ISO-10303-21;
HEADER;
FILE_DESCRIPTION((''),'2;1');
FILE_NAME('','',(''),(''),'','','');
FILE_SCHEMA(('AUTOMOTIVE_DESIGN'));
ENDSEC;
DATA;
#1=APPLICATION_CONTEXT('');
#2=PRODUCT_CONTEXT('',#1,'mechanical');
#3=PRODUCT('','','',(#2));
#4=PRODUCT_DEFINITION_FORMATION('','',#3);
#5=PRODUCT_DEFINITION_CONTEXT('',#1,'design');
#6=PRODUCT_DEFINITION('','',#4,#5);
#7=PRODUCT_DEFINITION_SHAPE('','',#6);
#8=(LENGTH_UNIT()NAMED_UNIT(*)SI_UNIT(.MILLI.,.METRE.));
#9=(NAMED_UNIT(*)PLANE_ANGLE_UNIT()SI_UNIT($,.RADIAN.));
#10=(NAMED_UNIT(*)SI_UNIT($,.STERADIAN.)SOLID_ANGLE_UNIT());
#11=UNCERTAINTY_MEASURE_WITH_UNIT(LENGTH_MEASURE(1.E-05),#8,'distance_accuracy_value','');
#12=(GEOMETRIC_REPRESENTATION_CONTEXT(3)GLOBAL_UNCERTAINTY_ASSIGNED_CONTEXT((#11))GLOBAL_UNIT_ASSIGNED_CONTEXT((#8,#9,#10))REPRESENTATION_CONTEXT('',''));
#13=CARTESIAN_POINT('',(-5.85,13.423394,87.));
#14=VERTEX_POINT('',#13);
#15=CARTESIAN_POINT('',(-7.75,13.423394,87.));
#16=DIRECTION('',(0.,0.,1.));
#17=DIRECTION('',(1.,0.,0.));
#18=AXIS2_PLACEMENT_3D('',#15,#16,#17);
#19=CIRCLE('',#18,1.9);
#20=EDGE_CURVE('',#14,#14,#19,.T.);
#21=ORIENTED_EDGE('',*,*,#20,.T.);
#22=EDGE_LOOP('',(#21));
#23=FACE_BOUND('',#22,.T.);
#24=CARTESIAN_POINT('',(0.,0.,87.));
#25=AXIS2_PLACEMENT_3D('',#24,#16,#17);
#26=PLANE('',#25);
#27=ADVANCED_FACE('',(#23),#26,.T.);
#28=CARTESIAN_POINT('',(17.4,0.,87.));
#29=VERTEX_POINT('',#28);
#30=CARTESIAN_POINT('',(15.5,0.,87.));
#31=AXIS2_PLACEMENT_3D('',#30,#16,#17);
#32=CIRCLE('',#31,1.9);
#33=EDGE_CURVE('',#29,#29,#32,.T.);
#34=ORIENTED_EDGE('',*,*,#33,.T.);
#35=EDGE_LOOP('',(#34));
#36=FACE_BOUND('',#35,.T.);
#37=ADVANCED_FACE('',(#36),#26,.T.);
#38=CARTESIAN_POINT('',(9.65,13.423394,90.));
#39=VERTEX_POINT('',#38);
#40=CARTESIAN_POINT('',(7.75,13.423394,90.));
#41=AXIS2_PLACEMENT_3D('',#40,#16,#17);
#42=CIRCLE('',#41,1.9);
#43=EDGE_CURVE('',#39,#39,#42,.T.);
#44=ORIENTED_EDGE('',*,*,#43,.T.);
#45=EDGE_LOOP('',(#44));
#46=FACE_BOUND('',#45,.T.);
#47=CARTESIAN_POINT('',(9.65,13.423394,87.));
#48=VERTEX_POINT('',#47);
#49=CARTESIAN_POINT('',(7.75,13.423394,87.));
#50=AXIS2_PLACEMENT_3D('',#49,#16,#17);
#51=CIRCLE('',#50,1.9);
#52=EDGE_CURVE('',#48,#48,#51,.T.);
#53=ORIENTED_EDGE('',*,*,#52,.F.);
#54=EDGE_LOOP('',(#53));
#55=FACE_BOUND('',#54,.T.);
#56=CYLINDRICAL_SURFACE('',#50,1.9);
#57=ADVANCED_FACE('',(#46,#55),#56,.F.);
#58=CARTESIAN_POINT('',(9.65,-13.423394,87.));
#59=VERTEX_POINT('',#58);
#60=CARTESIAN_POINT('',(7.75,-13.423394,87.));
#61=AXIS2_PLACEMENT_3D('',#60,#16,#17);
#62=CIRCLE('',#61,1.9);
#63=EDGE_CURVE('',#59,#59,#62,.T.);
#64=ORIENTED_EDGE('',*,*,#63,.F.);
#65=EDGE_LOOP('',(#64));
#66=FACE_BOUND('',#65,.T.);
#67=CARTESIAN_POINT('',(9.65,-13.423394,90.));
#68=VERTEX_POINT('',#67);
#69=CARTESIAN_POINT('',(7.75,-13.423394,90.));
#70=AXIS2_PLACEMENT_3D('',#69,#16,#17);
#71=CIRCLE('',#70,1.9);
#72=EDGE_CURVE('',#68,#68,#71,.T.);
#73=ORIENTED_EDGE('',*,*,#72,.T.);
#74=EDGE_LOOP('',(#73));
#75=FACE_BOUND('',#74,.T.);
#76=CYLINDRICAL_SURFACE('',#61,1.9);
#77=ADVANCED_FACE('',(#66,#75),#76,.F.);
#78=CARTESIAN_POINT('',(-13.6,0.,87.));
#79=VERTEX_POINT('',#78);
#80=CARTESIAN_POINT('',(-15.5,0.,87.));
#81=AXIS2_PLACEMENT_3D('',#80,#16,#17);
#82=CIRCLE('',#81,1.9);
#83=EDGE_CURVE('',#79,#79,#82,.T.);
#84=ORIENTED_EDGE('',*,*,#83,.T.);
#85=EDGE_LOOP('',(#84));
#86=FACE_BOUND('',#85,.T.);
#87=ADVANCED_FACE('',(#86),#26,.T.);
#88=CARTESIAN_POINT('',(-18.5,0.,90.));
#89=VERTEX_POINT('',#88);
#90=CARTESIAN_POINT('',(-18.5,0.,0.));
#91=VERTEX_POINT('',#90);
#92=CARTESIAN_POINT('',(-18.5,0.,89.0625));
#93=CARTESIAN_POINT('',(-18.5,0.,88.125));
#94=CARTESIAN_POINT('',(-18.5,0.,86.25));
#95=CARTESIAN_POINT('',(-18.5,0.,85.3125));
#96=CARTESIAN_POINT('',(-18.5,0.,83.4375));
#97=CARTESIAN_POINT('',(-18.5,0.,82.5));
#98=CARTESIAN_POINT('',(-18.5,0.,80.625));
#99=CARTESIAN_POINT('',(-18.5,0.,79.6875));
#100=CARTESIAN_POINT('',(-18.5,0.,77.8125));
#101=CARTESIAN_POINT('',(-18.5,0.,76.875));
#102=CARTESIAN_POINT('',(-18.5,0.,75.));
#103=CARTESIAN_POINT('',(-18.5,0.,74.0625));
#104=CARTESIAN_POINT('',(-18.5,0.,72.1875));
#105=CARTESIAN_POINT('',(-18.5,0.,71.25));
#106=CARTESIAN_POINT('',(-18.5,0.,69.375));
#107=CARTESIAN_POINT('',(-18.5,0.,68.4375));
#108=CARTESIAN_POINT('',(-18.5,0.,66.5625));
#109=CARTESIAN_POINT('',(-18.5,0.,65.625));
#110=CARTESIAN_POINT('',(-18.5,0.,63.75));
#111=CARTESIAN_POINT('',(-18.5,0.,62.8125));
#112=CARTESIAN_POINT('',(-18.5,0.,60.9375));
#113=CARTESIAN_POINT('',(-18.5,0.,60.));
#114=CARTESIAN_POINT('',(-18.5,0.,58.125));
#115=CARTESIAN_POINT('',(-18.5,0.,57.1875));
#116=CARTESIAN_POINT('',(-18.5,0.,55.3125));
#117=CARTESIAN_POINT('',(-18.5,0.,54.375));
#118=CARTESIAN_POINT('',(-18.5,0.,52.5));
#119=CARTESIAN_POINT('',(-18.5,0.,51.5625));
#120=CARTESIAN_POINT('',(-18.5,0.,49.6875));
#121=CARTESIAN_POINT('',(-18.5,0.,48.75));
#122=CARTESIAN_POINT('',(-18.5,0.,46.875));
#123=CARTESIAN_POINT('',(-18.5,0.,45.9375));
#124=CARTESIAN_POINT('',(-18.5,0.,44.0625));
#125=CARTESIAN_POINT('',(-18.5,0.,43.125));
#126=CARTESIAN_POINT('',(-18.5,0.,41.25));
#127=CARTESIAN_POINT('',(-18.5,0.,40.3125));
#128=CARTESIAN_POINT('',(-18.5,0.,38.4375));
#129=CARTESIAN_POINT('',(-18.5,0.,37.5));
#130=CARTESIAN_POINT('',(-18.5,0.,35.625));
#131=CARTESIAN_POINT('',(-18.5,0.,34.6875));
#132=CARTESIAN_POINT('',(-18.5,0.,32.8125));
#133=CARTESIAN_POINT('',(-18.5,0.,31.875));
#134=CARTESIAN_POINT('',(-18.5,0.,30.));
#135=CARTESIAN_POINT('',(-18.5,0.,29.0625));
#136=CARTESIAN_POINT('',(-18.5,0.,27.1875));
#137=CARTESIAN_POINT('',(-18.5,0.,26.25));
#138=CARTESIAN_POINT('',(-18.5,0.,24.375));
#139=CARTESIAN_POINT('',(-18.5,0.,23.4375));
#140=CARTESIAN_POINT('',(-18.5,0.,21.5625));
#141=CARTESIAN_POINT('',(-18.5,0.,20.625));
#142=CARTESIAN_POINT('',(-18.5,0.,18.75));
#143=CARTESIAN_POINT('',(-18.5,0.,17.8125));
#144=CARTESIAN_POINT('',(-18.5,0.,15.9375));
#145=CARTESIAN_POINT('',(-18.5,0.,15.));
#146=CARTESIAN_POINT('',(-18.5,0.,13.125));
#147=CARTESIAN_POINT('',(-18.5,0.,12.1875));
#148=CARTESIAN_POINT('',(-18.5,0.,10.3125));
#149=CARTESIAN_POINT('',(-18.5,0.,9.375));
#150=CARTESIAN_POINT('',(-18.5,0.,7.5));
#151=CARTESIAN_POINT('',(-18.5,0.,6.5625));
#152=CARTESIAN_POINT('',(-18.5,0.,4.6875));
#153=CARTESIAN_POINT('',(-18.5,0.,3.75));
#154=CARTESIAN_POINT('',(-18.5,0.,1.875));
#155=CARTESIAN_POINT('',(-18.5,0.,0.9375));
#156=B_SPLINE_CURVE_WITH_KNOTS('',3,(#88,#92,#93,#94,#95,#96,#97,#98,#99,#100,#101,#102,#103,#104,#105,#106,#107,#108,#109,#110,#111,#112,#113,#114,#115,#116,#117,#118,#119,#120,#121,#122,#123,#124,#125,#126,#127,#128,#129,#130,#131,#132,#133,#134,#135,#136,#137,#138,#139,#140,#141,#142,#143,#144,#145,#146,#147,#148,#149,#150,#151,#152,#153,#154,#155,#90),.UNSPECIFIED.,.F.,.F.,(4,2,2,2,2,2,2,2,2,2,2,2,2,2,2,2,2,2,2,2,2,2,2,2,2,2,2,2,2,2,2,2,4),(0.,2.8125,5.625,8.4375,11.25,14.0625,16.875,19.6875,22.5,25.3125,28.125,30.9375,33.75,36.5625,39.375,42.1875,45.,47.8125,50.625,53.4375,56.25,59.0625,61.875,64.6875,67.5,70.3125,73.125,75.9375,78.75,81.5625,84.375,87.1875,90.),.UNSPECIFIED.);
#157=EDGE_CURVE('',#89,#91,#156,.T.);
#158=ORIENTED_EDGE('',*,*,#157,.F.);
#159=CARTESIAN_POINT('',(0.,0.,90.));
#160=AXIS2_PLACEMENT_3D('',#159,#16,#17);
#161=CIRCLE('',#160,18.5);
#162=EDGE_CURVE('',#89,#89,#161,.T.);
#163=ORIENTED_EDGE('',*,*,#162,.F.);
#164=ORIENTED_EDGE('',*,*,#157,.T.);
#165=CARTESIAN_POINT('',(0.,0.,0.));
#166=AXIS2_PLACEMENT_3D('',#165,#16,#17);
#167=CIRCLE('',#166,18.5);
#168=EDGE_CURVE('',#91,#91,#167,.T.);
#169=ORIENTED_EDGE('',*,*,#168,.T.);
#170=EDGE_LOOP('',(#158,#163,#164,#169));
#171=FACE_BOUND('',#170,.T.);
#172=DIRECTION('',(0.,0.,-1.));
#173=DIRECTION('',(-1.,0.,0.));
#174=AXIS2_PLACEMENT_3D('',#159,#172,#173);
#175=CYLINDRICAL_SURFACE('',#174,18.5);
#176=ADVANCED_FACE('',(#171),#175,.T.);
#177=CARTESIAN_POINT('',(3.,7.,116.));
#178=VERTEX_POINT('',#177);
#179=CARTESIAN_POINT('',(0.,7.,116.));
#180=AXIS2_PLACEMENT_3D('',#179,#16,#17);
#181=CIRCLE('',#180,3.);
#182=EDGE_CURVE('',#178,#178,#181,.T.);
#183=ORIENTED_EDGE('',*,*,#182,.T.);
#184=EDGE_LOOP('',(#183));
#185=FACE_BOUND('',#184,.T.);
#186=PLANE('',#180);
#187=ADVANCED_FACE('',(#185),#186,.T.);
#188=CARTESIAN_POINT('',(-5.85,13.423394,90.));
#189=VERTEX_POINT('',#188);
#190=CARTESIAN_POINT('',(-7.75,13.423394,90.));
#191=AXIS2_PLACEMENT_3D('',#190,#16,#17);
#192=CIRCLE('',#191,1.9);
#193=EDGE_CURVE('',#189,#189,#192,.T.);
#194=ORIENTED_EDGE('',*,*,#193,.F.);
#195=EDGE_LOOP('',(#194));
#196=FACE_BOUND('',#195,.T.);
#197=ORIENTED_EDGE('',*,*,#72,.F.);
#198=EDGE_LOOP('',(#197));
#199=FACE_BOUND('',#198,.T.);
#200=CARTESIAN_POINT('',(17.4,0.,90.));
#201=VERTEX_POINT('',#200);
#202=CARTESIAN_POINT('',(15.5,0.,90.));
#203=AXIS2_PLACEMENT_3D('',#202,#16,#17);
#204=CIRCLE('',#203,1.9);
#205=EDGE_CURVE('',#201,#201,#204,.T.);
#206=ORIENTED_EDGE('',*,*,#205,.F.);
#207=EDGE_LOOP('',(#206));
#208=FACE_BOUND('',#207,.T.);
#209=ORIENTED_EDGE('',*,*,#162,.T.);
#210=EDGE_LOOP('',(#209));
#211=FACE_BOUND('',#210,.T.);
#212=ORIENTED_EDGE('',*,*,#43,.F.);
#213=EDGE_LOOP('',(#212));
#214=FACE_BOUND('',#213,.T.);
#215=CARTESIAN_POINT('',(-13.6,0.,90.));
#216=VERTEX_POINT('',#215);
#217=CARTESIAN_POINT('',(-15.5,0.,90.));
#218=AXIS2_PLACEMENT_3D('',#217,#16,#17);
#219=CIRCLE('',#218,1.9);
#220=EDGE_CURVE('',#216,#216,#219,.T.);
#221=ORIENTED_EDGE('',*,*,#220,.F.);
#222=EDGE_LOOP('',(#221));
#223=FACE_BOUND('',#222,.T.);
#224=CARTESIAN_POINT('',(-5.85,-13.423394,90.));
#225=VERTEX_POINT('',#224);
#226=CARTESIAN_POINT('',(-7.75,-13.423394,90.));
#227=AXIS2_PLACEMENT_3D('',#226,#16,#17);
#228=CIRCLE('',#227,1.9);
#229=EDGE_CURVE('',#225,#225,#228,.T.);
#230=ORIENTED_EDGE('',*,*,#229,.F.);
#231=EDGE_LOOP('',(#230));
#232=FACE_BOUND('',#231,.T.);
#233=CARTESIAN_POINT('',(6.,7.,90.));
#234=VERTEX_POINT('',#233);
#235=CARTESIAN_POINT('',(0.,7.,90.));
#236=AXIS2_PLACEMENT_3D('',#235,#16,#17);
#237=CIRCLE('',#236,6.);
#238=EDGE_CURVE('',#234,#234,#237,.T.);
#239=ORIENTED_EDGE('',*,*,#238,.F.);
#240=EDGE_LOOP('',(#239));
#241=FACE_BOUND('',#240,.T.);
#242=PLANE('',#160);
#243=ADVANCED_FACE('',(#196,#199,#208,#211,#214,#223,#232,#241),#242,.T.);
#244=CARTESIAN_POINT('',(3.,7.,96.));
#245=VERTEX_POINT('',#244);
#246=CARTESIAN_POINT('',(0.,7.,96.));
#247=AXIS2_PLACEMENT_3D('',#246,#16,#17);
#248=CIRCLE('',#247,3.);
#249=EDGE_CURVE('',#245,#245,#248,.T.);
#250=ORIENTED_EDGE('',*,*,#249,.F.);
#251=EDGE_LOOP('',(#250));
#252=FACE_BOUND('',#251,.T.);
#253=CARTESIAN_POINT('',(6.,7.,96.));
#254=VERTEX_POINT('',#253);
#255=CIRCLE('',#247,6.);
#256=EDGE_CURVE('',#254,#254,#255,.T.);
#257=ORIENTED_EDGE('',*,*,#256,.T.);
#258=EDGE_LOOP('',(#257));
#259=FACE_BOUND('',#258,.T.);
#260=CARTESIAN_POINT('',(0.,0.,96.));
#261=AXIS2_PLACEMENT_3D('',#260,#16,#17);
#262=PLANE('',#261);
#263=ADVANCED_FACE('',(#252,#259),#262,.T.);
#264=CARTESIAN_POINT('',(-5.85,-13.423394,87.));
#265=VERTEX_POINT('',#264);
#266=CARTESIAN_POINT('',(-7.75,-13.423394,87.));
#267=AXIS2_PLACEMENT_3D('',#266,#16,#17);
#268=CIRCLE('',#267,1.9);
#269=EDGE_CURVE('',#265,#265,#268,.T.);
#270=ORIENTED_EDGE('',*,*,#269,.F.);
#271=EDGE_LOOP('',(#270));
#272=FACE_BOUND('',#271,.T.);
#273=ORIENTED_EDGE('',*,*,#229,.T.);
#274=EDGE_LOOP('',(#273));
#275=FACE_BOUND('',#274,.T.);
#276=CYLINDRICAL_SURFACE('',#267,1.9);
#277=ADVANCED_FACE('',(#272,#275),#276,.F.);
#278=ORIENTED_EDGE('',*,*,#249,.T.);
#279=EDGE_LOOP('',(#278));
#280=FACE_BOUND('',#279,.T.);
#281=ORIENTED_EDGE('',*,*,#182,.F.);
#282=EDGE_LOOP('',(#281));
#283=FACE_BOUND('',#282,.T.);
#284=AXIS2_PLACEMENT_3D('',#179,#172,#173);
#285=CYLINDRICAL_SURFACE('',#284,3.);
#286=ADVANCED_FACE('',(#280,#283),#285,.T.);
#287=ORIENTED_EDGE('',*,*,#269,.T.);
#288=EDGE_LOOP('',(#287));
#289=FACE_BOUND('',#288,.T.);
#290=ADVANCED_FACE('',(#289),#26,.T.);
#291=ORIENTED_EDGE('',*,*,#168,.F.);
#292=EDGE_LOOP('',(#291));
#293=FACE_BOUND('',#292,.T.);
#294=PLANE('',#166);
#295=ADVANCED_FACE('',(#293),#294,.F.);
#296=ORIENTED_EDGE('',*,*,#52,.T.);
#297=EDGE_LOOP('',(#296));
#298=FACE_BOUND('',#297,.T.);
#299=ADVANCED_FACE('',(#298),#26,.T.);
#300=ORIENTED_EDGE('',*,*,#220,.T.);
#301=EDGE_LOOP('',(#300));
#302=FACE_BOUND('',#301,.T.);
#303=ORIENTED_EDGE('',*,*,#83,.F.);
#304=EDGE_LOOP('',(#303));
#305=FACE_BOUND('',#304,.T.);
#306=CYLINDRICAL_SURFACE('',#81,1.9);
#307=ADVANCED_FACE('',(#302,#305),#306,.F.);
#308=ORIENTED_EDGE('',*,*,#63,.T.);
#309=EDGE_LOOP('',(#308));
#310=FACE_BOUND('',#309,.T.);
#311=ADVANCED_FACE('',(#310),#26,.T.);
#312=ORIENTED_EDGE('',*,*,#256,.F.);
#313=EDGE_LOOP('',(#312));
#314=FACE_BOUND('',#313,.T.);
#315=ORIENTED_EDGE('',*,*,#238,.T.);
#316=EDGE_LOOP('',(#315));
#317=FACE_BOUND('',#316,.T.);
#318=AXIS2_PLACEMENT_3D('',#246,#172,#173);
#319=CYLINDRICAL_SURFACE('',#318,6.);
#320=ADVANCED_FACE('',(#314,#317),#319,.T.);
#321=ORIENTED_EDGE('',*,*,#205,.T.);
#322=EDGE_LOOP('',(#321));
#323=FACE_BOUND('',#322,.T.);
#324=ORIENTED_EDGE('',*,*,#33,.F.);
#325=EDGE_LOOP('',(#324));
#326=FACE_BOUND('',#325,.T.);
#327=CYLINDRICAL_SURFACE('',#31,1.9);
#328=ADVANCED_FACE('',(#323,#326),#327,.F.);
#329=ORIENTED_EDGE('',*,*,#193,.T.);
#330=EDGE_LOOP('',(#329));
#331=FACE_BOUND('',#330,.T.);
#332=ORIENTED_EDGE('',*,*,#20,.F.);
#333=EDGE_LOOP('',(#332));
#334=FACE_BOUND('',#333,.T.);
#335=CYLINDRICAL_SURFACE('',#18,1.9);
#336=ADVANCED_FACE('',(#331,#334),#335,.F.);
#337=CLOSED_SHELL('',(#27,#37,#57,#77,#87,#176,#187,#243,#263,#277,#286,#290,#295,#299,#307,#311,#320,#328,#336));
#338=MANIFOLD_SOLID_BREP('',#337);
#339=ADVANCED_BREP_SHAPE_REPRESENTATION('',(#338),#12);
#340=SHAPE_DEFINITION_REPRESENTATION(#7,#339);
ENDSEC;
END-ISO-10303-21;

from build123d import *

# Parameters (mm, degrees)
SKETCH1_R           = 18.5
BOSS_EXTRUDE1_DEPTH = 90
SKETCH2_R           = 1.9
CUT_EXTRUDE1_DEPTH  = 3
SKETCH2_3_R         = 6
BOSS_EXTRUDE2_DEPTH = 6
SKETCH3_R           = 3
BOSS_EXTRUDE3_DEPTH = 20


with BuildPart() as part:
    # Sketch1 → Boss-Extrude1 (new body)
    with BuildSketch(Plane(origin=(0, 0, 0), x_dir=(0, 1, 0), z_dir=(0, 0, 1))):
        Circle(SKETCH1_R)
    extrude(amount=BOSS_EXTRUDE1_DEPTH)

    # Sketch2 → Cut-Extrude1 (cut)
    with BuildSketch(Plane(origin=(0, 0, 90), x_dir=(-1, 0, 0), z_dir=(0, 0, 1))):
        with Locations((-15.5, 0)):
            Circle(SKETCH2_R)
        with Locations((-7.75, 13.423393759)):
            Circle(SKETCH2_R)
        with Locations((7.75, 13.423393759)):
            Circle(SKETCH2_R)
        with Locations((15.5, 0)):
            Circle(SKETCH2_R)
        with Locations((7.75, -13.423393759)):
            Circle(SKETCH2_R)
        with Locations((-7.75, -13.423393759)):
            Circle(SKETCH2_R)
    extrude(amount=-CUT_EXTRUDE1_DEPTH, mode=Mode.SUBTRACT)

    # Sketch2<3> → Boss-Extrude2 (add)
    with BuildSketch(Plane(origin=(0, 0, 90), x_dir=(-1, 0, 0), z_dir=(0, 0, 1))):
        with Locations((0, -7)):
            Circle(SKETCH2_3_R)
    extrude(amount=BOSS_EXTRUDE2_DEPTH)

    # Sketch3 → Boss-Extrude3 (add)
    with BuildSketch(Plane.XY.offset(96)):
        with Locations((0, 7)):
            Circle(SKETCH3_R)
    extrude(amount=BOSS_EXTRUDE3_DEPTH)


solid = part.part
